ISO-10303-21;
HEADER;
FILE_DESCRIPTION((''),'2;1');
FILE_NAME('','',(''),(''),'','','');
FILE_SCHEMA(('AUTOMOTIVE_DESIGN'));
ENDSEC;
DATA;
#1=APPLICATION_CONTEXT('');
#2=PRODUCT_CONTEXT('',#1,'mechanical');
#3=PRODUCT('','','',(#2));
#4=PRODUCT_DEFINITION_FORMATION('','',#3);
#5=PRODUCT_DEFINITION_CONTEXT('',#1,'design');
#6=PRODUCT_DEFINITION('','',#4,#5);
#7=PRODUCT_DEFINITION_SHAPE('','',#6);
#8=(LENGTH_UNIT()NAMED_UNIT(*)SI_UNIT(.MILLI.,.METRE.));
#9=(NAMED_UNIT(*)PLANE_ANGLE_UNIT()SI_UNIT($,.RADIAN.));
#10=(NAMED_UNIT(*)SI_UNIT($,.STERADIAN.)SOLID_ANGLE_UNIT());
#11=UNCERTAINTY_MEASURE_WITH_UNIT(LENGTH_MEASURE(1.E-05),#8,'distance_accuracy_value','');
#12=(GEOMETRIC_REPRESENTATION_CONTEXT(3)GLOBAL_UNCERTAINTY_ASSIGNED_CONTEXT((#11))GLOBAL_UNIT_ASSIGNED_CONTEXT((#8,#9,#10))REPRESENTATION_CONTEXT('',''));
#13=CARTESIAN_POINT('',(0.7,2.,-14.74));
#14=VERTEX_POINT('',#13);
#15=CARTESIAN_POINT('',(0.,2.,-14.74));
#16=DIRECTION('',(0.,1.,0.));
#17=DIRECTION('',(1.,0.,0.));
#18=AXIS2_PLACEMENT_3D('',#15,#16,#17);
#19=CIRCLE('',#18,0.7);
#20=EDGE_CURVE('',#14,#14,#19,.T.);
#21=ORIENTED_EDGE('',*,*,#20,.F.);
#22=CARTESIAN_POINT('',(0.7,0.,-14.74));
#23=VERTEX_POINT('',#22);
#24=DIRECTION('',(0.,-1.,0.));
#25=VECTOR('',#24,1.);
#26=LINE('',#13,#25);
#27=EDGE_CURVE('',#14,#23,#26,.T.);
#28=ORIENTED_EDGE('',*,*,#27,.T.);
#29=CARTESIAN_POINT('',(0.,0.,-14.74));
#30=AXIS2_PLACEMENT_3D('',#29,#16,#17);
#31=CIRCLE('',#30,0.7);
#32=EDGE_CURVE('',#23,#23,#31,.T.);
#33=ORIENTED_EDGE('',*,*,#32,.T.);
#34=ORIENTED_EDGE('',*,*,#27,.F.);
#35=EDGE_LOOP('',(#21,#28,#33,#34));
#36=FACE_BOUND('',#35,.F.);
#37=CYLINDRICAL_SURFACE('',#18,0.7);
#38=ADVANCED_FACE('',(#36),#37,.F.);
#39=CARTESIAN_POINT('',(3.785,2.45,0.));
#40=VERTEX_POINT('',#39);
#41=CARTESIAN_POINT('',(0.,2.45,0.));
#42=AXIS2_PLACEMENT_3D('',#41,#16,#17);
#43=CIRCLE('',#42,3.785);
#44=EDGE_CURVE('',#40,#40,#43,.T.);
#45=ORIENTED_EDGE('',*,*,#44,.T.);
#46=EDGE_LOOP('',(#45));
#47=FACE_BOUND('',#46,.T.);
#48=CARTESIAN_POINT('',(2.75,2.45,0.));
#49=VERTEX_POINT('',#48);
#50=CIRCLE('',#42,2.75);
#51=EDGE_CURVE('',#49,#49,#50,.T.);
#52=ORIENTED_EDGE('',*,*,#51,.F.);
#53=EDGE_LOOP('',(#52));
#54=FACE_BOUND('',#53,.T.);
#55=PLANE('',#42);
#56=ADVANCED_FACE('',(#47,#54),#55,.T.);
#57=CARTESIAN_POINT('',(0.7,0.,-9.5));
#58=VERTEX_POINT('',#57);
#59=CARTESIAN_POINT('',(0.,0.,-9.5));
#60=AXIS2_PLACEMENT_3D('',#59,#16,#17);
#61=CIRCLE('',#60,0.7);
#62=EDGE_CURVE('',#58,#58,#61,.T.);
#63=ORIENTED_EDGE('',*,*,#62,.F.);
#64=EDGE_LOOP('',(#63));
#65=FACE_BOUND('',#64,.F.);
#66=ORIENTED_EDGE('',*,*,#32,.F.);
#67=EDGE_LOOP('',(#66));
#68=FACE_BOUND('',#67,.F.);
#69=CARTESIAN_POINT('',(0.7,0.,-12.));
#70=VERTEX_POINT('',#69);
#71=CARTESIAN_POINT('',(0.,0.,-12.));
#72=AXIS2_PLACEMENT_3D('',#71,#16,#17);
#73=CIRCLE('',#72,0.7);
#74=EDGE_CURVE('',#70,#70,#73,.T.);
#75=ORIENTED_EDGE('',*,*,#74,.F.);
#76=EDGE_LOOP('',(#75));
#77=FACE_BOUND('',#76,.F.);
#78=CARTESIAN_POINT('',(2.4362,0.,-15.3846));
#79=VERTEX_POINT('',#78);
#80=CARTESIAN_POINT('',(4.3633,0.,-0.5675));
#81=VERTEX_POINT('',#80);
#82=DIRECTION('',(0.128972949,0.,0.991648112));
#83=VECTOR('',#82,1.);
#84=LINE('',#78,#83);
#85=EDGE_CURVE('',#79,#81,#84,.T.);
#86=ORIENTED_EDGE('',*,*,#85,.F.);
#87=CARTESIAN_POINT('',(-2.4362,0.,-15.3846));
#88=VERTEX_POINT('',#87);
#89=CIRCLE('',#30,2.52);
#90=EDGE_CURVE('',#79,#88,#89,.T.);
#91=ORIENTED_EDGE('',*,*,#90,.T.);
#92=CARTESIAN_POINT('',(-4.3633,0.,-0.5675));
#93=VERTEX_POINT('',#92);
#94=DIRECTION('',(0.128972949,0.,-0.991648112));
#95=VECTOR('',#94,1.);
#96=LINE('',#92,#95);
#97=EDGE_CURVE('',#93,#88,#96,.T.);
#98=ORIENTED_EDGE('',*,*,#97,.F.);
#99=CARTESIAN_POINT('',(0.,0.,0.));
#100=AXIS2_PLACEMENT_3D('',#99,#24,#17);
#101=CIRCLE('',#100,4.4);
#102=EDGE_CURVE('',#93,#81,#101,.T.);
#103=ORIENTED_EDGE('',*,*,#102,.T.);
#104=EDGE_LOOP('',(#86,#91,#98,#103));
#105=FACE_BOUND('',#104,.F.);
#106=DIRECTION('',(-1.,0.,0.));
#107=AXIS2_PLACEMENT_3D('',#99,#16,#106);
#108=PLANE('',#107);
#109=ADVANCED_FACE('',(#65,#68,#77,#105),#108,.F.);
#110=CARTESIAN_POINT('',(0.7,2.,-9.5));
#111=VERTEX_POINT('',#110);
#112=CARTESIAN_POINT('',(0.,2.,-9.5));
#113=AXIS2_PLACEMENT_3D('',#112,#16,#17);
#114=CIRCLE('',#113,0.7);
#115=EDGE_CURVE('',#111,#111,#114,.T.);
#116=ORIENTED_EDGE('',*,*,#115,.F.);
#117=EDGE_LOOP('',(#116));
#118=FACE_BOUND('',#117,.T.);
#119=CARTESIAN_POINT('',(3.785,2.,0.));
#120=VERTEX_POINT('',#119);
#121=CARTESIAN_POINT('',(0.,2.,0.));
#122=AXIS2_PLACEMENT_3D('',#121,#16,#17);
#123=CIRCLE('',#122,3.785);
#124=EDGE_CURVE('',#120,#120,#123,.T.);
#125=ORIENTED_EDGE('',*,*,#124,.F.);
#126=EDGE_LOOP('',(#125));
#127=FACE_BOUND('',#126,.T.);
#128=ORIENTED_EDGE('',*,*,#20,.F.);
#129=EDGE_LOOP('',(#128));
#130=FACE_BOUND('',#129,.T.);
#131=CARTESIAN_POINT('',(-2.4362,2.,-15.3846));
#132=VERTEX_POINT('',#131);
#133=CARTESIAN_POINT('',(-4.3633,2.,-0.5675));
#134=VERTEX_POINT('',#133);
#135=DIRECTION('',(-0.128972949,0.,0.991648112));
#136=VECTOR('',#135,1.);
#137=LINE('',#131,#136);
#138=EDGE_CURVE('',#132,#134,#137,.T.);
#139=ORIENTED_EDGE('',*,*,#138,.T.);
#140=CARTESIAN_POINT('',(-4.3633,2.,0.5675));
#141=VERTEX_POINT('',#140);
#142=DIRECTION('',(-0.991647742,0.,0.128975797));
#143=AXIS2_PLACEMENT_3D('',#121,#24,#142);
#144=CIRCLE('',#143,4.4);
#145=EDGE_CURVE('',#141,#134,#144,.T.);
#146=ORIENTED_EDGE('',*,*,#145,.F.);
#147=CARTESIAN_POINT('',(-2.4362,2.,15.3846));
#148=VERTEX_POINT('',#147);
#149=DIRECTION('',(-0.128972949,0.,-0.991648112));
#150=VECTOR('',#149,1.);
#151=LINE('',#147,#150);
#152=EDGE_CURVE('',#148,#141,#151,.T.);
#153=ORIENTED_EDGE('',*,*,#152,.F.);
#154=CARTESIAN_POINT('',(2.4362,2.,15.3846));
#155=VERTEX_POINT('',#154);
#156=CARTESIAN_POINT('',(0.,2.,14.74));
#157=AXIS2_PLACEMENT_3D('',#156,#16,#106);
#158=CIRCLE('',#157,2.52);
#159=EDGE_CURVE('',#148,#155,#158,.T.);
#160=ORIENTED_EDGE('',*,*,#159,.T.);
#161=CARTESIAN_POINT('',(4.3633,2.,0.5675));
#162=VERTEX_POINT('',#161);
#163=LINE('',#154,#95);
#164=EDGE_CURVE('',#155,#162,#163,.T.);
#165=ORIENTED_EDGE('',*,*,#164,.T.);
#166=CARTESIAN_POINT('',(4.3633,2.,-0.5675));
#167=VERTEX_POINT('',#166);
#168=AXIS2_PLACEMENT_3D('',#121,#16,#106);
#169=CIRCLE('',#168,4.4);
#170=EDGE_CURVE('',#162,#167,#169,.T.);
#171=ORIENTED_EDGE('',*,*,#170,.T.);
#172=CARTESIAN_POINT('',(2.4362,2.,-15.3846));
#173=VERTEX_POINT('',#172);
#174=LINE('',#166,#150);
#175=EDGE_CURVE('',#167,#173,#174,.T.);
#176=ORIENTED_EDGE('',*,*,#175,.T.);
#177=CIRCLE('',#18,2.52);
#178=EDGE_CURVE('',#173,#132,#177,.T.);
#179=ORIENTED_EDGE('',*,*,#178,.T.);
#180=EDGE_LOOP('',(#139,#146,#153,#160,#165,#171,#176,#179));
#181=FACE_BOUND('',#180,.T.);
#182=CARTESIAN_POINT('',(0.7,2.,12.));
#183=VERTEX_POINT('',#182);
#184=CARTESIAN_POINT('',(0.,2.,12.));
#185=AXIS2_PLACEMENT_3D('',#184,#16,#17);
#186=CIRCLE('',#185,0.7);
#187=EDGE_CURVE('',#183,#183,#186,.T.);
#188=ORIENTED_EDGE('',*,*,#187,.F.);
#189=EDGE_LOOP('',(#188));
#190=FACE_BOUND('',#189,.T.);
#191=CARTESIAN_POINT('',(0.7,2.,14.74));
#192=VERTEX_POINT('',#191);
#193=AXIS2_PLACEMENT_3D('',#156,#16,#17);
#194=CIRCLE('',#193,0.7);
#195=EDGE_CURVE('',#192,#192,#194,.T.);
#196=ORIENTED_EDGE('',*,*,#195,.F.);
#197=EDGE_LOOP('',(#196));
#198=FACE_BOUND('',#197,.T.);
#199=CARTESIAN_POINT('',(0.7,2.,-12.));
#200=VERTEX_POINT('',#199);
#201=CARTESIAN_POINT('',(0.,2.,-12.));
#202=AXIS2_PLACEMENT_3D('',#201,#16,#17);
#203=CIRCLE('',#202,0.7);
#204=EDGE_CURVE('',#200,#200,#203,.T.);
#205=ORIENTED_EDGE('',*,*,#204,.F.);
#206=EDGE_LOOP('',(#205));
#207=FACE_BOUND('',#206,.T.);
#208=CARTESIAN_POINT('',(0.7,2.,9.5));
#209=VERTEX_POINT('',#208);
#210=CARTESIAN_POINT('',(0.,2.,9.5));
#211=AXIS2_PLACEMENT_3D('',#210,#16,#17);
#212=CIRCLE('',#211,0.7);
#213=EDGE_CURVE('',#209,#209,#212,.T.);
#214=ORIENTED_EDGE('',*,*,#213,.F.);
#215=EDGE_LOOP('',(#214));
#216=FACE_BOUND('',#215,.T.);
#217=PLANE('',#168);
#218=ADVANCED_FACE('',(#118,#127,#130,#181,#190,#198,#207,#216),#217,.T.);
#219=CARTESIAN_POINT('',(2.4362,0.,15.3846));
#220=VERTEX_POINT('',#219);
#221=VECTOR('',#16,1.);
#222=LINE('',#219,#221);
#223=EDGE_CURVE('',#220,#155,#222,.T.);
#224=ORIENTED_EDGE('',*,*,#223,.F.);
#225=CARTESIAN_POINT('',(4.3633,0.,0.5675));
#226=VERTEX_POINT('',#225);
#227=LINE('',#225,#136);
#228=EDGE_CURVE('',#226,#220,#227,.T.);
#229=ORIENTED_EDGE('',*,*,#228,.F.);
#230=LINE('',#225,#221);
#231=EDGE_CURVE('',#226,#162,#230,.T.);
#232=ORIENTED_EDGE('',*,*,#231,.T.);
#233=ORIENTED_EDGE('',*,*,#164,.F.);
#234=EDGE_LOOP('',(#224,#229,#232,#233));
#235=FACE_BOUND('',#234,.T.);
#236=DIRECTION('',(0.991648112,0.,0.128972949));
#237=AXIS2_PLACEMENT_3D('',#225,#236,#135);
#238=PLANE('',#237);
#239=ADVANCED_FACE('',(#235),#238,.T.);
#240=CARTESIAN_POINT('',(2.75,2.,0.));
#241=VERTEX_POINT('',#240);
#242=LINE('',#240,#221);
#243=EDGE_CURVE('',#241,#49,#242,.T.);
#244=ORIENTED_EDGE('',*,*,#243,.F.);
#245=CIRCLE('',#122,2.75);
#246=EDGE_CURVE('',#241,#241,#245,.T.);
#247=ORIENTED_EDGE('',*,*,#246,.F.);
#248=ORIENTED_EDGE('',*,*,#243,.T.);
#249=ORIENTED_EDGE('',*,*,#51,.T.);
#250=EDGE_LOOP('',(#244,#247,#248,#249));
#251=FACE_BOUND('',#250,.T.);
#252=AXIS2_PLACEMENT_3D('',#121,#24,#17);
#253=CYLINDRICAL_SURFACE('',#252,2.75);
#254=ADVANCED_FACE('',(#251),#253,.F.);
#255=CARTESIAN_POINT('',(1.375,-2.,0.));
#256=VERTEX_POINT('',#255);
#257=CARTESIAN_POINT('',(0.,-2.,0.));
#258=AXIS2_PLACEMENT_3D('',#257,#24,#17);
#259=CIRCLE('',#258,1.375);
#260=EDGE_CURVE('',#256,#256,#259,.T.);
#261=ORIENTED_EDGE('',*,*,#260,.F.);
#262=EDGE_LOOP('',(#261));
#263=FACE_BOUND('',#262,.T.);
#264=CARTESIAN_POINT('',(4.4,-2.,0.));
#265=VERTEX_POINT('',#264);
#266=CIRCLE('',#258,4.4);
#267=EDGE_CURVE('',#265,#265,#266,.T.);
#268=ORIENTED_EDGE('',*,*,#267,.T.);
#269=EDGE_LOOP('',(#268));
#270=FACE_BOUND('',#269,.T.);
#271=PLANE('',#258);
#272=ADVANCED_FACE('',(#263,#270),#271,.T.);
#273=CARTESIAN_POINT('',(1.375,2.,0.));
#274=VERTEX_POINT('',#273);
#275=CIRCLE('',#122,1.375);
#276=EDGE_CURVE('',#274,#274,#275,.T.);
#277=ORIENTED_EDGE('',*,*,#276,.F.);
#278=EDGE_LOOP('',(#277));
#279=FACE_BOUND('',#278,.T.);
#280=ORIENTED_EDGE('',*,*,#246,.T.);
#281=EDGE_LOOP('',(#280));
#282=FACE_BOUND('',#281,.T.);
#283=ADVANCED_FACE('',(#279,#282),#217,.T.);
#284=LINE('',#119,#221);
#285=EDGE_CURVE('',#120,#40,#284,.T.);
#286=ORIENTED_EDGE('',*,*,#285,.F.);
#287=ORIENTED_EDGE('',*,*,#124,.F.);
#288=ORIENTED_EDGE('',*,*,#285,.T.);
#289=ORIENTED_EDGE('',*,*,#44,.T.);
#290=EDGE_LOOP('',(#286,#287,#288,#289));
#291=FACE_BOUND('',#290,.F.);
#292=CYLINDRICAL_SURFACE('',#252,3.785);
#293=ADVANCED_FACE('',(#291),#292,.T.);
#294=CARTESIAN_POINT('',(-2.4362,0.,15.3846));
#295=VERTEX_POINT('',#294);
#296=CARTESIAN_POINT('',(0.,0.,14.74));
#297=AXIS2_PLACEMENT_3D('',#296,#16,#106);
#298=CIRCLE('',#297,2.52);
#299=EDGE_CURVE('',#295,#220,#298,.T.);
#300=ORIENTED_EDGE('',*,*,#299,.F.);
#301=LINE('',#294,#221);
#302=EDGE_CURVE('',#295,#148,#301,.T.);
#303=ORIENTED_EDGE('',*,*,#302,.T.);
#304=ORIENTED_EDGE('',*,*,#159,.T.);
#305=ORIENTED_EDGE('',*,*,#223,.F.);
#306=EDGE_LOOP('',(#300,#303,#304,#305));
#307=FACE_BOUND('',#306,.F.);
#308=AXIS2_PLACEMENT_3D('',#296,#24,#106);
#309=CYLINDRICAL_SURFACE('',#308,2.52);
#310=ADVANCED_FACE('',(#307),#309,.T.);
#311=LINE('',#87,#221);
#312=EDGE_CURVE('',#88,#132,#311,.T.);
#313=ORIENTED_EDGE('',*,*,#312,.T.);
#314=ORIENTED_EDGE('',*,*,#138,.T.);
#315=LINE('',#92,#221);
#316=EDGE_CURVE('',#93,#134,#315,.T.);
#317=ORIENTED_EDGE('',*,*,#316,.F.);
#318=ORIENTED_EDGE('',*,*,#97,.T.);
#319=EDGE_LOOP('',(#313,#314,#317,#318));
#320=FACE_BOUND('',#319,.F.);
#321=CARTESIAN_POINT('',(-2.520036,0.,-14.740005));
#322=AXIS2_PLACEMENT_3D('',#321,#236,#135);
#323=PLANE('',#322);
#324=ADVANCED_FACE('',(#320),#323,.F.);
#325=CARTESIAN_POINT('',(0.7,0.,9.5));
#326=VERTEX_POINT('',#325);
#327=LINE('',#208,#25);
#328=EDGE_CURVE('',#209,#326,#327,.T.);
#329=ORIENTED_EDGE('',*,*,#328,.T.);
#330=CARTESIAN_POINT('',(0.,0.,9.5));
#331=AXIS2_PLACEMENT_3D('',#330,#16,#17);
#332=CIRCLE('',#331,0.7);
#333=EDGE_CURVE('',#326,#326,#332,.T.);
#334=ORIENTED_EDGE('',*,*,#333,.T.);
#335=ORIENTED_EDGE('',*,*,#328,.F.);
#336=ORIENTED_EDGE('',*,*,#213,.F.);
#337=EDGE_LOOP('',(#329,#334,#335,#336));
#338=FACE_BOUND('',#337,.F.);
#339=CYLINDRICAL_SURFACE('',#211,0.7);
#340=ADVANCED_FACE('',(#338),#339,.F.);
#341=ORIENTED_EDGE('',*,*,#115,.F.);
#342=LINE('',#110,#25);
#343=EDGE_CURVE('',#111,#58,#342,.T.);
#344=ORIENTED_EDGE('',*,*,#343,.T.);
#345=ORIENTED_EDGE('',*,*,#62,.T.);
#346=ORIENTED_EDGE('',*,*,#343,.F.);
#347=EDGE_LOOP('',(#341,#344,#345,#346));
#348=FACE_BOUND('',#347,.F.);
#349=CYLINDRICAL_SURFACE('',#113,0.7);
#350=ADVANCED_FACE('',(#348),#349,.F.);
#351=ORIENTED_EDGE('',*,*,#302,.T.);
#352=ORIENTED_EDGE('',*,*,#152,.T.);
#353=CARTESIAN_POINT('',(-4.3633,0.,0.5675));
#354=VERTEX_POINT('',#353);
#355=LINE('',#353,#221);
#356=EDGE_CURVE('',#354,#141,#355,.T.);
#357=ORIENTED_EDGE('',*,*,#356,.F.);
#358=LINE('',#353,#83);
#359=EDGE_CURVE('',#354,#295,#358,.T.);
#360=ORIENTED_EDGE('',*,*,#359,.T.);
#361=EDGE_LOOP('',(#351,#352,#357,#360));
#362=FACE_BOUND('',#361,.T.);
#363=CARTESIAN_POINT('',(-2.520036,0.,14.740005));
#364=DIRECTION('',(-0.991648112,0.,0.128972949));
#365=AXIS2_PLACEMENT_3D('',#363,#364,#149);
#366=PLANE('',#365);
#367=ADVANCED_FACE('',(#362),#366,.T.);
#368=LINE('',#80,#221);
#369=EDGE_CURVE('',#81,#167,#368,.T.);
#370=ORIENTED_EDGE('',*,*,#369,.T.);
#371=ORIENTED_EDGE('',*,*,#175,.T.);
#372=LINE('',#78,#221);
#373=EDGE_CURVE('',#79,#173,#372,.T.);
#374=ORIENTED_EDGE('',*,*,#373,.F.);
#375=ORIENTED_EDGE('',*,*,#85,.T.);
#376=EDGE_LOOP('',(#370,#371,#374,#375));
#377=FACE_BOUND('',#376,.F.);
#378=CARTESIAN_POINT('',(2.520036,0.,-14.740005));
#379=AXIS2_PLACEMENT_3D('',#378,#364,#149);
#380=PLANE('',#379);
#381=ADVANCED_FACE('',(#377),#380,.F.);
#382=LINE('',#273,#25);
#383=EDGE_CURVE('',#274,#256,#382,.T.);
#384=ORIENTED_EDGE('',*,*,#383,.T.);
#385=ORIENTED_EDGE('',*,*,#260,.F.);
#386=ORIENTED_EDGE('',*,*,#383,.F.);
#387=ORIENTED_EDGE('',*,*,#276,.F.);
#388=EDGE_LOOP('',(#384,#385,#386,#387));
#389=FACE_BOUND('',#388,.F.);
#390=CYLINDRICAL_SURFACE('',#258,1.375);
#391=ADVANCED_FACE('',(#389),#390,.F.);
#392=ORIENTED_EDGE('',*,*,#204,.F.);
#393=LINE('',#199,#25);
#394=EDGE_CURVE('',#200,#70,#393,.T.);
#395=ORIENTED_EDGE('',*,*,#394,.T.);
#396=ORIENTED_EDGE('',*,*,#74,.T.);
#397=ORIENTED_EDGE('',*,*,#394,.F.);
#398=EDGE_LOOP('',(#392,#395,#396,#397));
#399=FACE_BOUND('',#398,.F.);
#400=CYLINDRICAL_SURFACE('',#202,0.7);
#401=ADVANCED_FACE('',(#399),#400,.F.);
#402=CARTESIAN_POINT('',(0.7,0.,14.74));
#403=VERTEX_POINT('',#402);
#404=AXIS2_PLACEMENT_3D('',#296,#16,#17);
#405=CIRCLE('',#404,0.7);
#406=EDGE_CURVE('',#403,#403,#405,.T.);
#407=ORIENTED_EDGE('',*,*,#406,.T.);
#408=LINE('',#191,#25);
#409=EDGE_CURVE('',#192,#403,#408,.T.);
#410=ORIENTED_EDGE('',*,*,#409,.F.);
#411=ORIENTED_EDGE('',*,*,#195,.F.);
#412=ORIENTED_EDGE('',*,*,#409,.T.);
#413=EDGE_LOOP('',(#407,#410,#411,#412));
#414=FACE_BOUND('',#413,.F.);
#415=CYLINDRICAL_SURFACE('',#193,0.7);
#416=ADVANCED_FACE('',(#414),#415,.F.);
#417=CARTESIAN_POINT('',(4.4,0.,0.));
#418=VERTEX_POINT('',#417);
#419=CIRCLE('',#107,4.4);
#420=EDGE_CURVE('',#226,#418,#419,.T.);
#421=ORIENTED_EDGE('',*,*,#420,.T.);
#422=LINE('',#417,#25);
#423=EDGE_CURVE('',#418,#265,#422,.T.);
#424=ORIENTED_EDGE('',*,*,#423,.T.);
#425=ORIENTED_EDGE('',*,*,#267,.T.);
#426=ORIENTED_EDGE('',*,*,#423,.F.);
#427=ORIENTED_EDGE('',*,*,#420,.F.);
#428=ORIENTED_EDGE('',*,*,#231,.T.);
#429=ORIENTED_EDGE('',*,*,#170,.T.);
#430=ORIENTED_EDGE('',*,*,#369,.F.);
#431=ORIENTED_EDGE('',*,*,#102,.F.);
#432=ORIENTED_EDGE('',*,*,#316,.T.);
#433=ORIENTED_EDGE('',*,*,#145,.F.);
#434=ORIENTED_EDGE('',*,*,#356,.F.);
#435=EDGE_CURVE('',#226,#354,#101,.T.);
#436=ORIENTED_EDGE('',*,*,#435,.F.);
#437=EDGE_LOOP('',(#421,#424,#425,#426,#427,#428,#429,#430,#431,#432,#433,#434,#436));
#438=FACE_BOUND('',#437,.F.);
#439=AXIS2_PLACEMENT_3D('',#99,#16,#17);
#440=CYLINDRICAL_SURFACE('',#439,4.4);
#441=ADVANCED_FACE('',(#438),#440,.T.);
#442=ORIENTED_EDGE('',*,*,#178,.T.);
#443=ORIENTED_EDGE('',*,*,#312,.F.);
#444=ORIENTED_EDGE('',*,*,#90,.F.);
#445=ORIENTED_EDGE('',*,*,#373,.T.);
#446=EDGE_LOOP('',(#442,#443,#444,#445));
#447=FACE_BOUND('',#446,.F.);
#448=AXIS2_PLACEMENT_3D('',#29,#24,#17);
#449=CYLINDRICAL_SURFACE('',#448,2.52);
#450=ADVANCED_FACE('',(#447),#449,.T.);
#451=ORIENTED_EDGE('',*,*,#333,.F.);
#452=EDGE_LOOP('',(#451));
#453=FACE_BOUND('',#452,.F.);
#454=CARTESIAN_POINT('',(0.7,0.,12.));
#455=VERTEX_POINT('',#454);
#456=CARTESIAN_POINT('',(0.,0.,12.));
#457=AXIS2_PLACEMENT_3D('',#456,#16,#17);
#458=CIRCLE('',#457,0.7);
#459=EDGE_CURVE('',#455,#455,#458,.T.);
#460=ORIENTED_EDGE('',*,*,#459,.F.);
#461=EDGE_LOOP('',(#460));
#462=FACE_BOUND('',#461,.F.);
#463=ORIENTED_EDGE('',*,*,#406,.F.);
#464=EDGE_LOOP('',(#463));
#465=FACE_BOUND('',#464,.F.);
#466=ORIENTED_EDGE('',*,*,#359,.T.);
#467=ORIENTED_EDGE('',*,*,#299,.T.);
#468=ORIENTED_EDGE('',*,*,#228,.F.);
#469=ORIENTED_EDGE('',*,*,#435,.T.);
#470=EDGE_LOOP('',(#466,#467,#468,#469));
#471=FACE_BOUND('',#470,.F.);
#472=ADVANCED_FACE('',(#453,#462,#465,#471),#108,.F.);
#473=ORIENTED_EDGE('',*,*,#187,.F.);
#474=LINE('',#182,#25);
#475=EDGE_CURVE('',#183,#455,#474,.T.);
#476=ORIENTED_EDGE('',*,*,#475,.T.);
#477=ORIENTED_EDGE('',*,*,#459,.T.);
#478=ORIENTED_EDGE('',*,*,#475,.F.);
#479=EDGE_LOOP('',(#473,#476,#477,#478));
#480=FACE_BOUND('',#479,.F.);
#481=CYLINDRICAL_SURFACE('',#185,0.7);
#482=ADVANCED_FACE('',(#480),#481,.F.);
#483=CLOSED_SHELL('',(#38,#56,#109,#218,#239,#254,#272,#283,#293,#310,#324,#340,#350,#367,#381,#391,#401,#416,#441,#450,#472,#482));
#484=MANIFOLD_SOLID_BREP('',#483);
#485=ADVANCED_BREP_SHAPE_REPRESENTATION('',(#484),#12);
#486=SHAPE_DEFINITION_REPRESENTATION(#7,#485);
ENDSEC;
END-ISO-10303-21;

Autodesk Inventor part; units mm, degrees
ref_plane "YZ Plane" through (0, 0, 0) normal (1, 0, 0) x (0, 1, 0)
ref_plane "XZ Plane" through (0, 0, 0) normal (0, 1, 0) x (-1, 0, 0)
ref_plane "XY Plane" through (0, 0, 0) normal (0, 0, 1) x (1, 0, 0)
sketch "Sketch1" plane through (0, 0, 0) normal (0, 1, 0) x (-1, 0, 0)
  line L0 (0, 0) -> (0, -14.74)
  arc A0 (-2.52, -14.74) -> (2.52, -14.74) centre (0, -14.74) ccw
  line L1 (2.4362, -15.3846) -> (4.3633, -0.5675)
  line L2 (-4.3633, -0.5675) -> (-2.4362, -15.3846)
  line L3 (0, 0) -> (0, 14.74)
  arc A1 (2.52, 14.74) -> (-2.52, 14.74) centre (0, 14.74) ccw
  circle A2 centre (0, 0) radius 4.4
  line L4 (2.4362, 15.3846) -> (4.3633, 0.5675)
  line L5 (-4.3633, 0.5675) -> (-2.4362, 15.3846)
  point P0 (4.3633, -0.5675)
  dimension "d2" = 2.52
extrude "Extrusion1" add sketch "Sketch1" along normal blind 2 contours L3 A2 L0 | L0 A2 L3 | A2 L1 A0 L2 | A2 L5 A1 L4
sketch "Sketch2" plane through (0, 2, 0) normal (0, 1, 0) x (1, 0, 0)
  circle A0 centre (0, 14.74) radius 0.7
  circle A1 centre (0, 12) radius 0.7
  circle A2 centre (0, 9.5) radius 0.7
  circle A3 centre (0, -14.74) radius 0.7
  circle A4 centre (0, -12) radius 0.7
  circle A5 centre (0, -9.5) radius 0.7
  point P0 (0, 0)
  dimension "d7" = 1.4
  dimension "d9" = 1.4
  dimension "d11" = 1.4
extrude "Extrusion2" cut sketch "Sketch2" against normal blind 2
sketch "Sketch3" plane through (0, 2, 0) normal (0, 1, 0) x (1, 0, 0)
  circle A0 centre (0, 0) radius 1.375
  dimension "d14" = 2.75
extrude "Extrusion3" cut sketch "Sketch3" against normal blind 2
sketch "Sketch4" plane through (0, 2, 0) normal (0, 1, 0) x (1, 0, 0)
  circle A0 centre (0, 0) radius 2.75
  circle A1 centre (0, 0) radius 3.785
  dimension "d18" = 5.5
  dimension "d19" = 7.57
extrude "Extrusion4" add sketch "Sketch4" along normal blind 0.45
sketch "Sketch5" plane through (0, 0, 0) normal (0, -1, 0) x (1, 0, 0)
  circle A0 centre (0, 0) radius 4.4
  dimension "d22" = 8.8
extrude "Extrusion5" add sketch "Sketch5" along normal blind 2
sketch "Sketch6" plane through (0, -2, 0) normal (0, -1, 0) x (1, 0, 0)
  circle A0 centre (0, 0) radius 1.375
  dimension "d25" = 2.75
extrude "Extrusion6" cut sketch "Sketch6" against normal blind 2
properties part number "MMAE 232 Assignment 2_White Propellor - Dylan Tamras"
